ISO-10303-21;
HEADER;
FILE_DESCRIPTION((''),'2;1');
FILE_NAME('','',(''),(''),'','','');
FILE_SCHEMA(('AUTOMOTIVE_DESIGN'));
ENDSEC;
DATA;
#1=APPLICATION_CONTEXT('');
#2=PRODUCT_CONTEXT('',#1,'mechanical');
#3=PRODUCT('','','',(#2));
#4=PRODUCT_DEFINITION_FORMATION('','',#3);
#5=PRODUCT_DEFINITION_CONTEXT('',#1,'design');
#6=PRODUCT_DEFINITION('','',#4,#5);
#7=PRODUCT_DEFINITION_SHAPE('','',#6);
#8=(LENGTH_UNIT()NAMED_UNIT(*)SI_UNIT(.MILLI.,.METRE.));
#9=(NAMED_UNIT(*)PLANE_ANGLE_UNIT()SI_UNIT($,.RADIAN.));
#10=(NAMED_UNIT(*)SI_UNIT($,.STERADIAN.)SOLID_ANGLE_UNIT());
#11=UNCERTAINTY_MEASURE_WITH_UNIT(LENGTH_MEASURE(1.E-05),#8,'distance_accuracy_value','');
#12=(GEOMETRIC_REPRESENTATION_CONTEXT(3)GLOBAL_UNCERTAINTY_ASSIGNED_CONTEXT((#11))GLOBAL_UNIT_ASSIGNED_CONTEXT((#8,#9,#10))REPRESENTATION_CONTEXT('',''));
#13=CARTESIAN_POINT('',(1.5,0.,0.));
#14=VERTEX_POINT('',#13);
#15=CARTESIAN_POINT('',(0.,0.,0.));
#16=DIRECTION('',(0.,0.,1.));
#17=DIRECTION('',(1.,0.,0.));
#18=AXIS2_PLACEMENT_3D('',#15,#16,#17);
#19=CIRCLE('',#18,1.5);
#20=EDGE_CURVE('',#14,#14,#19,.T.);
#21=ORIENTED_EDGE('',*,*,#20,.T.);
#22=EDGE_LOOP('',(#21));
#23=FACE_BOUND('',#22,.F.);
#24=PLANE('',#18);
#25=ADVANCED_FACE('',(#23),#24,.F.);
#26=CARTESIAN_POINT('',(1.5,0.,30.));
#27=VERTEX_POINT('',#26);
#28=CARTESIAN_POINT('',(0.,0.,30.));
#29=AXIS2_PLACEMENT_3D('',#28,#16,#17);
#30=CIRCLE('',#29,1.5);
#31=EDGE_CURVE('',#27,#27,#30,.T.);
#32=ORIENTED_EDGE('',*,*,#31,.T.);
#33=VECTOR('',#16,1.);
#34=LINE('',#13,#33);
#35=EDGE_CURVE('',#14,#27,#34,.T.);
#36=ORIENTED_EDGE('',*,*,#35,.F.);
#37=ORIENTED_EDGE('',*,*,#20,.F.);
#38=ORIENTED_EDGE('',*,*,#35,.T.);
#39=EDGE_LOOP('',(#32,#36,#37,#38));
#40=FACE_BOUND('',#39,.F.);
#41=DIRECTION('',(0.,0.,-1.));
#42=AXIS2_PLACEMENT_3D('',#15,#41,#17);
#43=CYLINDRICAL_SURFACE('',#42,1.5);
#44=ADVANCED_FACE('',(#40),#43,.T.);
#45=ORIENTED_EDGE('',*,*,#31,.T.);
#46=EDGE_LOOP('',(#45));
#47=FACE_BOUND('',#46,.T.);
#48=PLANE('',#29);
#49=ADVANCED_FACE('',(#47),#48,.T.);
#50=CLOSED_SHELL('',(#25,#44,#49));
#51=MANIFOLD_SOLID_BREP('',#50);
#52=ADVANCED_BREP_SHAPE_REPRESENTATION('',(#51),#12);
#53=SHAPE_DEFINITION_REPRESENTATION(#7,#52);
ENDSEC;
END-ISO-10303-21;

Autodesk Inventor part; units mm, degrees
ref_plane "YZ Plane" through (0, 0, 0) normal (1, 0, 0) x (0, 1, 0)
ref_plane "XZ Plane" through (0, 0, 0) normal (0, 1, 0) x (-1, 0, 0)
ref_plane "XY Plane" through (0, 0, 0) normal (0, 0, 1) x (1, 0, 0)
sketch "Szkic1" plane through (0, 0, 0) normal (0, 0, 1) x (1, 0, 0)
  circle A0 centre (0, 0) radius 1.5
  dimension "d0" = 3
extrude "Wyciągnięcie proste1" add sketch "Szkic1" along normal blind 30
thread "Gwint1" size "M3x0.5" class "6g" standard "ANSI Metric M Profile" full length
properties part number "gwintpodlozysko"
